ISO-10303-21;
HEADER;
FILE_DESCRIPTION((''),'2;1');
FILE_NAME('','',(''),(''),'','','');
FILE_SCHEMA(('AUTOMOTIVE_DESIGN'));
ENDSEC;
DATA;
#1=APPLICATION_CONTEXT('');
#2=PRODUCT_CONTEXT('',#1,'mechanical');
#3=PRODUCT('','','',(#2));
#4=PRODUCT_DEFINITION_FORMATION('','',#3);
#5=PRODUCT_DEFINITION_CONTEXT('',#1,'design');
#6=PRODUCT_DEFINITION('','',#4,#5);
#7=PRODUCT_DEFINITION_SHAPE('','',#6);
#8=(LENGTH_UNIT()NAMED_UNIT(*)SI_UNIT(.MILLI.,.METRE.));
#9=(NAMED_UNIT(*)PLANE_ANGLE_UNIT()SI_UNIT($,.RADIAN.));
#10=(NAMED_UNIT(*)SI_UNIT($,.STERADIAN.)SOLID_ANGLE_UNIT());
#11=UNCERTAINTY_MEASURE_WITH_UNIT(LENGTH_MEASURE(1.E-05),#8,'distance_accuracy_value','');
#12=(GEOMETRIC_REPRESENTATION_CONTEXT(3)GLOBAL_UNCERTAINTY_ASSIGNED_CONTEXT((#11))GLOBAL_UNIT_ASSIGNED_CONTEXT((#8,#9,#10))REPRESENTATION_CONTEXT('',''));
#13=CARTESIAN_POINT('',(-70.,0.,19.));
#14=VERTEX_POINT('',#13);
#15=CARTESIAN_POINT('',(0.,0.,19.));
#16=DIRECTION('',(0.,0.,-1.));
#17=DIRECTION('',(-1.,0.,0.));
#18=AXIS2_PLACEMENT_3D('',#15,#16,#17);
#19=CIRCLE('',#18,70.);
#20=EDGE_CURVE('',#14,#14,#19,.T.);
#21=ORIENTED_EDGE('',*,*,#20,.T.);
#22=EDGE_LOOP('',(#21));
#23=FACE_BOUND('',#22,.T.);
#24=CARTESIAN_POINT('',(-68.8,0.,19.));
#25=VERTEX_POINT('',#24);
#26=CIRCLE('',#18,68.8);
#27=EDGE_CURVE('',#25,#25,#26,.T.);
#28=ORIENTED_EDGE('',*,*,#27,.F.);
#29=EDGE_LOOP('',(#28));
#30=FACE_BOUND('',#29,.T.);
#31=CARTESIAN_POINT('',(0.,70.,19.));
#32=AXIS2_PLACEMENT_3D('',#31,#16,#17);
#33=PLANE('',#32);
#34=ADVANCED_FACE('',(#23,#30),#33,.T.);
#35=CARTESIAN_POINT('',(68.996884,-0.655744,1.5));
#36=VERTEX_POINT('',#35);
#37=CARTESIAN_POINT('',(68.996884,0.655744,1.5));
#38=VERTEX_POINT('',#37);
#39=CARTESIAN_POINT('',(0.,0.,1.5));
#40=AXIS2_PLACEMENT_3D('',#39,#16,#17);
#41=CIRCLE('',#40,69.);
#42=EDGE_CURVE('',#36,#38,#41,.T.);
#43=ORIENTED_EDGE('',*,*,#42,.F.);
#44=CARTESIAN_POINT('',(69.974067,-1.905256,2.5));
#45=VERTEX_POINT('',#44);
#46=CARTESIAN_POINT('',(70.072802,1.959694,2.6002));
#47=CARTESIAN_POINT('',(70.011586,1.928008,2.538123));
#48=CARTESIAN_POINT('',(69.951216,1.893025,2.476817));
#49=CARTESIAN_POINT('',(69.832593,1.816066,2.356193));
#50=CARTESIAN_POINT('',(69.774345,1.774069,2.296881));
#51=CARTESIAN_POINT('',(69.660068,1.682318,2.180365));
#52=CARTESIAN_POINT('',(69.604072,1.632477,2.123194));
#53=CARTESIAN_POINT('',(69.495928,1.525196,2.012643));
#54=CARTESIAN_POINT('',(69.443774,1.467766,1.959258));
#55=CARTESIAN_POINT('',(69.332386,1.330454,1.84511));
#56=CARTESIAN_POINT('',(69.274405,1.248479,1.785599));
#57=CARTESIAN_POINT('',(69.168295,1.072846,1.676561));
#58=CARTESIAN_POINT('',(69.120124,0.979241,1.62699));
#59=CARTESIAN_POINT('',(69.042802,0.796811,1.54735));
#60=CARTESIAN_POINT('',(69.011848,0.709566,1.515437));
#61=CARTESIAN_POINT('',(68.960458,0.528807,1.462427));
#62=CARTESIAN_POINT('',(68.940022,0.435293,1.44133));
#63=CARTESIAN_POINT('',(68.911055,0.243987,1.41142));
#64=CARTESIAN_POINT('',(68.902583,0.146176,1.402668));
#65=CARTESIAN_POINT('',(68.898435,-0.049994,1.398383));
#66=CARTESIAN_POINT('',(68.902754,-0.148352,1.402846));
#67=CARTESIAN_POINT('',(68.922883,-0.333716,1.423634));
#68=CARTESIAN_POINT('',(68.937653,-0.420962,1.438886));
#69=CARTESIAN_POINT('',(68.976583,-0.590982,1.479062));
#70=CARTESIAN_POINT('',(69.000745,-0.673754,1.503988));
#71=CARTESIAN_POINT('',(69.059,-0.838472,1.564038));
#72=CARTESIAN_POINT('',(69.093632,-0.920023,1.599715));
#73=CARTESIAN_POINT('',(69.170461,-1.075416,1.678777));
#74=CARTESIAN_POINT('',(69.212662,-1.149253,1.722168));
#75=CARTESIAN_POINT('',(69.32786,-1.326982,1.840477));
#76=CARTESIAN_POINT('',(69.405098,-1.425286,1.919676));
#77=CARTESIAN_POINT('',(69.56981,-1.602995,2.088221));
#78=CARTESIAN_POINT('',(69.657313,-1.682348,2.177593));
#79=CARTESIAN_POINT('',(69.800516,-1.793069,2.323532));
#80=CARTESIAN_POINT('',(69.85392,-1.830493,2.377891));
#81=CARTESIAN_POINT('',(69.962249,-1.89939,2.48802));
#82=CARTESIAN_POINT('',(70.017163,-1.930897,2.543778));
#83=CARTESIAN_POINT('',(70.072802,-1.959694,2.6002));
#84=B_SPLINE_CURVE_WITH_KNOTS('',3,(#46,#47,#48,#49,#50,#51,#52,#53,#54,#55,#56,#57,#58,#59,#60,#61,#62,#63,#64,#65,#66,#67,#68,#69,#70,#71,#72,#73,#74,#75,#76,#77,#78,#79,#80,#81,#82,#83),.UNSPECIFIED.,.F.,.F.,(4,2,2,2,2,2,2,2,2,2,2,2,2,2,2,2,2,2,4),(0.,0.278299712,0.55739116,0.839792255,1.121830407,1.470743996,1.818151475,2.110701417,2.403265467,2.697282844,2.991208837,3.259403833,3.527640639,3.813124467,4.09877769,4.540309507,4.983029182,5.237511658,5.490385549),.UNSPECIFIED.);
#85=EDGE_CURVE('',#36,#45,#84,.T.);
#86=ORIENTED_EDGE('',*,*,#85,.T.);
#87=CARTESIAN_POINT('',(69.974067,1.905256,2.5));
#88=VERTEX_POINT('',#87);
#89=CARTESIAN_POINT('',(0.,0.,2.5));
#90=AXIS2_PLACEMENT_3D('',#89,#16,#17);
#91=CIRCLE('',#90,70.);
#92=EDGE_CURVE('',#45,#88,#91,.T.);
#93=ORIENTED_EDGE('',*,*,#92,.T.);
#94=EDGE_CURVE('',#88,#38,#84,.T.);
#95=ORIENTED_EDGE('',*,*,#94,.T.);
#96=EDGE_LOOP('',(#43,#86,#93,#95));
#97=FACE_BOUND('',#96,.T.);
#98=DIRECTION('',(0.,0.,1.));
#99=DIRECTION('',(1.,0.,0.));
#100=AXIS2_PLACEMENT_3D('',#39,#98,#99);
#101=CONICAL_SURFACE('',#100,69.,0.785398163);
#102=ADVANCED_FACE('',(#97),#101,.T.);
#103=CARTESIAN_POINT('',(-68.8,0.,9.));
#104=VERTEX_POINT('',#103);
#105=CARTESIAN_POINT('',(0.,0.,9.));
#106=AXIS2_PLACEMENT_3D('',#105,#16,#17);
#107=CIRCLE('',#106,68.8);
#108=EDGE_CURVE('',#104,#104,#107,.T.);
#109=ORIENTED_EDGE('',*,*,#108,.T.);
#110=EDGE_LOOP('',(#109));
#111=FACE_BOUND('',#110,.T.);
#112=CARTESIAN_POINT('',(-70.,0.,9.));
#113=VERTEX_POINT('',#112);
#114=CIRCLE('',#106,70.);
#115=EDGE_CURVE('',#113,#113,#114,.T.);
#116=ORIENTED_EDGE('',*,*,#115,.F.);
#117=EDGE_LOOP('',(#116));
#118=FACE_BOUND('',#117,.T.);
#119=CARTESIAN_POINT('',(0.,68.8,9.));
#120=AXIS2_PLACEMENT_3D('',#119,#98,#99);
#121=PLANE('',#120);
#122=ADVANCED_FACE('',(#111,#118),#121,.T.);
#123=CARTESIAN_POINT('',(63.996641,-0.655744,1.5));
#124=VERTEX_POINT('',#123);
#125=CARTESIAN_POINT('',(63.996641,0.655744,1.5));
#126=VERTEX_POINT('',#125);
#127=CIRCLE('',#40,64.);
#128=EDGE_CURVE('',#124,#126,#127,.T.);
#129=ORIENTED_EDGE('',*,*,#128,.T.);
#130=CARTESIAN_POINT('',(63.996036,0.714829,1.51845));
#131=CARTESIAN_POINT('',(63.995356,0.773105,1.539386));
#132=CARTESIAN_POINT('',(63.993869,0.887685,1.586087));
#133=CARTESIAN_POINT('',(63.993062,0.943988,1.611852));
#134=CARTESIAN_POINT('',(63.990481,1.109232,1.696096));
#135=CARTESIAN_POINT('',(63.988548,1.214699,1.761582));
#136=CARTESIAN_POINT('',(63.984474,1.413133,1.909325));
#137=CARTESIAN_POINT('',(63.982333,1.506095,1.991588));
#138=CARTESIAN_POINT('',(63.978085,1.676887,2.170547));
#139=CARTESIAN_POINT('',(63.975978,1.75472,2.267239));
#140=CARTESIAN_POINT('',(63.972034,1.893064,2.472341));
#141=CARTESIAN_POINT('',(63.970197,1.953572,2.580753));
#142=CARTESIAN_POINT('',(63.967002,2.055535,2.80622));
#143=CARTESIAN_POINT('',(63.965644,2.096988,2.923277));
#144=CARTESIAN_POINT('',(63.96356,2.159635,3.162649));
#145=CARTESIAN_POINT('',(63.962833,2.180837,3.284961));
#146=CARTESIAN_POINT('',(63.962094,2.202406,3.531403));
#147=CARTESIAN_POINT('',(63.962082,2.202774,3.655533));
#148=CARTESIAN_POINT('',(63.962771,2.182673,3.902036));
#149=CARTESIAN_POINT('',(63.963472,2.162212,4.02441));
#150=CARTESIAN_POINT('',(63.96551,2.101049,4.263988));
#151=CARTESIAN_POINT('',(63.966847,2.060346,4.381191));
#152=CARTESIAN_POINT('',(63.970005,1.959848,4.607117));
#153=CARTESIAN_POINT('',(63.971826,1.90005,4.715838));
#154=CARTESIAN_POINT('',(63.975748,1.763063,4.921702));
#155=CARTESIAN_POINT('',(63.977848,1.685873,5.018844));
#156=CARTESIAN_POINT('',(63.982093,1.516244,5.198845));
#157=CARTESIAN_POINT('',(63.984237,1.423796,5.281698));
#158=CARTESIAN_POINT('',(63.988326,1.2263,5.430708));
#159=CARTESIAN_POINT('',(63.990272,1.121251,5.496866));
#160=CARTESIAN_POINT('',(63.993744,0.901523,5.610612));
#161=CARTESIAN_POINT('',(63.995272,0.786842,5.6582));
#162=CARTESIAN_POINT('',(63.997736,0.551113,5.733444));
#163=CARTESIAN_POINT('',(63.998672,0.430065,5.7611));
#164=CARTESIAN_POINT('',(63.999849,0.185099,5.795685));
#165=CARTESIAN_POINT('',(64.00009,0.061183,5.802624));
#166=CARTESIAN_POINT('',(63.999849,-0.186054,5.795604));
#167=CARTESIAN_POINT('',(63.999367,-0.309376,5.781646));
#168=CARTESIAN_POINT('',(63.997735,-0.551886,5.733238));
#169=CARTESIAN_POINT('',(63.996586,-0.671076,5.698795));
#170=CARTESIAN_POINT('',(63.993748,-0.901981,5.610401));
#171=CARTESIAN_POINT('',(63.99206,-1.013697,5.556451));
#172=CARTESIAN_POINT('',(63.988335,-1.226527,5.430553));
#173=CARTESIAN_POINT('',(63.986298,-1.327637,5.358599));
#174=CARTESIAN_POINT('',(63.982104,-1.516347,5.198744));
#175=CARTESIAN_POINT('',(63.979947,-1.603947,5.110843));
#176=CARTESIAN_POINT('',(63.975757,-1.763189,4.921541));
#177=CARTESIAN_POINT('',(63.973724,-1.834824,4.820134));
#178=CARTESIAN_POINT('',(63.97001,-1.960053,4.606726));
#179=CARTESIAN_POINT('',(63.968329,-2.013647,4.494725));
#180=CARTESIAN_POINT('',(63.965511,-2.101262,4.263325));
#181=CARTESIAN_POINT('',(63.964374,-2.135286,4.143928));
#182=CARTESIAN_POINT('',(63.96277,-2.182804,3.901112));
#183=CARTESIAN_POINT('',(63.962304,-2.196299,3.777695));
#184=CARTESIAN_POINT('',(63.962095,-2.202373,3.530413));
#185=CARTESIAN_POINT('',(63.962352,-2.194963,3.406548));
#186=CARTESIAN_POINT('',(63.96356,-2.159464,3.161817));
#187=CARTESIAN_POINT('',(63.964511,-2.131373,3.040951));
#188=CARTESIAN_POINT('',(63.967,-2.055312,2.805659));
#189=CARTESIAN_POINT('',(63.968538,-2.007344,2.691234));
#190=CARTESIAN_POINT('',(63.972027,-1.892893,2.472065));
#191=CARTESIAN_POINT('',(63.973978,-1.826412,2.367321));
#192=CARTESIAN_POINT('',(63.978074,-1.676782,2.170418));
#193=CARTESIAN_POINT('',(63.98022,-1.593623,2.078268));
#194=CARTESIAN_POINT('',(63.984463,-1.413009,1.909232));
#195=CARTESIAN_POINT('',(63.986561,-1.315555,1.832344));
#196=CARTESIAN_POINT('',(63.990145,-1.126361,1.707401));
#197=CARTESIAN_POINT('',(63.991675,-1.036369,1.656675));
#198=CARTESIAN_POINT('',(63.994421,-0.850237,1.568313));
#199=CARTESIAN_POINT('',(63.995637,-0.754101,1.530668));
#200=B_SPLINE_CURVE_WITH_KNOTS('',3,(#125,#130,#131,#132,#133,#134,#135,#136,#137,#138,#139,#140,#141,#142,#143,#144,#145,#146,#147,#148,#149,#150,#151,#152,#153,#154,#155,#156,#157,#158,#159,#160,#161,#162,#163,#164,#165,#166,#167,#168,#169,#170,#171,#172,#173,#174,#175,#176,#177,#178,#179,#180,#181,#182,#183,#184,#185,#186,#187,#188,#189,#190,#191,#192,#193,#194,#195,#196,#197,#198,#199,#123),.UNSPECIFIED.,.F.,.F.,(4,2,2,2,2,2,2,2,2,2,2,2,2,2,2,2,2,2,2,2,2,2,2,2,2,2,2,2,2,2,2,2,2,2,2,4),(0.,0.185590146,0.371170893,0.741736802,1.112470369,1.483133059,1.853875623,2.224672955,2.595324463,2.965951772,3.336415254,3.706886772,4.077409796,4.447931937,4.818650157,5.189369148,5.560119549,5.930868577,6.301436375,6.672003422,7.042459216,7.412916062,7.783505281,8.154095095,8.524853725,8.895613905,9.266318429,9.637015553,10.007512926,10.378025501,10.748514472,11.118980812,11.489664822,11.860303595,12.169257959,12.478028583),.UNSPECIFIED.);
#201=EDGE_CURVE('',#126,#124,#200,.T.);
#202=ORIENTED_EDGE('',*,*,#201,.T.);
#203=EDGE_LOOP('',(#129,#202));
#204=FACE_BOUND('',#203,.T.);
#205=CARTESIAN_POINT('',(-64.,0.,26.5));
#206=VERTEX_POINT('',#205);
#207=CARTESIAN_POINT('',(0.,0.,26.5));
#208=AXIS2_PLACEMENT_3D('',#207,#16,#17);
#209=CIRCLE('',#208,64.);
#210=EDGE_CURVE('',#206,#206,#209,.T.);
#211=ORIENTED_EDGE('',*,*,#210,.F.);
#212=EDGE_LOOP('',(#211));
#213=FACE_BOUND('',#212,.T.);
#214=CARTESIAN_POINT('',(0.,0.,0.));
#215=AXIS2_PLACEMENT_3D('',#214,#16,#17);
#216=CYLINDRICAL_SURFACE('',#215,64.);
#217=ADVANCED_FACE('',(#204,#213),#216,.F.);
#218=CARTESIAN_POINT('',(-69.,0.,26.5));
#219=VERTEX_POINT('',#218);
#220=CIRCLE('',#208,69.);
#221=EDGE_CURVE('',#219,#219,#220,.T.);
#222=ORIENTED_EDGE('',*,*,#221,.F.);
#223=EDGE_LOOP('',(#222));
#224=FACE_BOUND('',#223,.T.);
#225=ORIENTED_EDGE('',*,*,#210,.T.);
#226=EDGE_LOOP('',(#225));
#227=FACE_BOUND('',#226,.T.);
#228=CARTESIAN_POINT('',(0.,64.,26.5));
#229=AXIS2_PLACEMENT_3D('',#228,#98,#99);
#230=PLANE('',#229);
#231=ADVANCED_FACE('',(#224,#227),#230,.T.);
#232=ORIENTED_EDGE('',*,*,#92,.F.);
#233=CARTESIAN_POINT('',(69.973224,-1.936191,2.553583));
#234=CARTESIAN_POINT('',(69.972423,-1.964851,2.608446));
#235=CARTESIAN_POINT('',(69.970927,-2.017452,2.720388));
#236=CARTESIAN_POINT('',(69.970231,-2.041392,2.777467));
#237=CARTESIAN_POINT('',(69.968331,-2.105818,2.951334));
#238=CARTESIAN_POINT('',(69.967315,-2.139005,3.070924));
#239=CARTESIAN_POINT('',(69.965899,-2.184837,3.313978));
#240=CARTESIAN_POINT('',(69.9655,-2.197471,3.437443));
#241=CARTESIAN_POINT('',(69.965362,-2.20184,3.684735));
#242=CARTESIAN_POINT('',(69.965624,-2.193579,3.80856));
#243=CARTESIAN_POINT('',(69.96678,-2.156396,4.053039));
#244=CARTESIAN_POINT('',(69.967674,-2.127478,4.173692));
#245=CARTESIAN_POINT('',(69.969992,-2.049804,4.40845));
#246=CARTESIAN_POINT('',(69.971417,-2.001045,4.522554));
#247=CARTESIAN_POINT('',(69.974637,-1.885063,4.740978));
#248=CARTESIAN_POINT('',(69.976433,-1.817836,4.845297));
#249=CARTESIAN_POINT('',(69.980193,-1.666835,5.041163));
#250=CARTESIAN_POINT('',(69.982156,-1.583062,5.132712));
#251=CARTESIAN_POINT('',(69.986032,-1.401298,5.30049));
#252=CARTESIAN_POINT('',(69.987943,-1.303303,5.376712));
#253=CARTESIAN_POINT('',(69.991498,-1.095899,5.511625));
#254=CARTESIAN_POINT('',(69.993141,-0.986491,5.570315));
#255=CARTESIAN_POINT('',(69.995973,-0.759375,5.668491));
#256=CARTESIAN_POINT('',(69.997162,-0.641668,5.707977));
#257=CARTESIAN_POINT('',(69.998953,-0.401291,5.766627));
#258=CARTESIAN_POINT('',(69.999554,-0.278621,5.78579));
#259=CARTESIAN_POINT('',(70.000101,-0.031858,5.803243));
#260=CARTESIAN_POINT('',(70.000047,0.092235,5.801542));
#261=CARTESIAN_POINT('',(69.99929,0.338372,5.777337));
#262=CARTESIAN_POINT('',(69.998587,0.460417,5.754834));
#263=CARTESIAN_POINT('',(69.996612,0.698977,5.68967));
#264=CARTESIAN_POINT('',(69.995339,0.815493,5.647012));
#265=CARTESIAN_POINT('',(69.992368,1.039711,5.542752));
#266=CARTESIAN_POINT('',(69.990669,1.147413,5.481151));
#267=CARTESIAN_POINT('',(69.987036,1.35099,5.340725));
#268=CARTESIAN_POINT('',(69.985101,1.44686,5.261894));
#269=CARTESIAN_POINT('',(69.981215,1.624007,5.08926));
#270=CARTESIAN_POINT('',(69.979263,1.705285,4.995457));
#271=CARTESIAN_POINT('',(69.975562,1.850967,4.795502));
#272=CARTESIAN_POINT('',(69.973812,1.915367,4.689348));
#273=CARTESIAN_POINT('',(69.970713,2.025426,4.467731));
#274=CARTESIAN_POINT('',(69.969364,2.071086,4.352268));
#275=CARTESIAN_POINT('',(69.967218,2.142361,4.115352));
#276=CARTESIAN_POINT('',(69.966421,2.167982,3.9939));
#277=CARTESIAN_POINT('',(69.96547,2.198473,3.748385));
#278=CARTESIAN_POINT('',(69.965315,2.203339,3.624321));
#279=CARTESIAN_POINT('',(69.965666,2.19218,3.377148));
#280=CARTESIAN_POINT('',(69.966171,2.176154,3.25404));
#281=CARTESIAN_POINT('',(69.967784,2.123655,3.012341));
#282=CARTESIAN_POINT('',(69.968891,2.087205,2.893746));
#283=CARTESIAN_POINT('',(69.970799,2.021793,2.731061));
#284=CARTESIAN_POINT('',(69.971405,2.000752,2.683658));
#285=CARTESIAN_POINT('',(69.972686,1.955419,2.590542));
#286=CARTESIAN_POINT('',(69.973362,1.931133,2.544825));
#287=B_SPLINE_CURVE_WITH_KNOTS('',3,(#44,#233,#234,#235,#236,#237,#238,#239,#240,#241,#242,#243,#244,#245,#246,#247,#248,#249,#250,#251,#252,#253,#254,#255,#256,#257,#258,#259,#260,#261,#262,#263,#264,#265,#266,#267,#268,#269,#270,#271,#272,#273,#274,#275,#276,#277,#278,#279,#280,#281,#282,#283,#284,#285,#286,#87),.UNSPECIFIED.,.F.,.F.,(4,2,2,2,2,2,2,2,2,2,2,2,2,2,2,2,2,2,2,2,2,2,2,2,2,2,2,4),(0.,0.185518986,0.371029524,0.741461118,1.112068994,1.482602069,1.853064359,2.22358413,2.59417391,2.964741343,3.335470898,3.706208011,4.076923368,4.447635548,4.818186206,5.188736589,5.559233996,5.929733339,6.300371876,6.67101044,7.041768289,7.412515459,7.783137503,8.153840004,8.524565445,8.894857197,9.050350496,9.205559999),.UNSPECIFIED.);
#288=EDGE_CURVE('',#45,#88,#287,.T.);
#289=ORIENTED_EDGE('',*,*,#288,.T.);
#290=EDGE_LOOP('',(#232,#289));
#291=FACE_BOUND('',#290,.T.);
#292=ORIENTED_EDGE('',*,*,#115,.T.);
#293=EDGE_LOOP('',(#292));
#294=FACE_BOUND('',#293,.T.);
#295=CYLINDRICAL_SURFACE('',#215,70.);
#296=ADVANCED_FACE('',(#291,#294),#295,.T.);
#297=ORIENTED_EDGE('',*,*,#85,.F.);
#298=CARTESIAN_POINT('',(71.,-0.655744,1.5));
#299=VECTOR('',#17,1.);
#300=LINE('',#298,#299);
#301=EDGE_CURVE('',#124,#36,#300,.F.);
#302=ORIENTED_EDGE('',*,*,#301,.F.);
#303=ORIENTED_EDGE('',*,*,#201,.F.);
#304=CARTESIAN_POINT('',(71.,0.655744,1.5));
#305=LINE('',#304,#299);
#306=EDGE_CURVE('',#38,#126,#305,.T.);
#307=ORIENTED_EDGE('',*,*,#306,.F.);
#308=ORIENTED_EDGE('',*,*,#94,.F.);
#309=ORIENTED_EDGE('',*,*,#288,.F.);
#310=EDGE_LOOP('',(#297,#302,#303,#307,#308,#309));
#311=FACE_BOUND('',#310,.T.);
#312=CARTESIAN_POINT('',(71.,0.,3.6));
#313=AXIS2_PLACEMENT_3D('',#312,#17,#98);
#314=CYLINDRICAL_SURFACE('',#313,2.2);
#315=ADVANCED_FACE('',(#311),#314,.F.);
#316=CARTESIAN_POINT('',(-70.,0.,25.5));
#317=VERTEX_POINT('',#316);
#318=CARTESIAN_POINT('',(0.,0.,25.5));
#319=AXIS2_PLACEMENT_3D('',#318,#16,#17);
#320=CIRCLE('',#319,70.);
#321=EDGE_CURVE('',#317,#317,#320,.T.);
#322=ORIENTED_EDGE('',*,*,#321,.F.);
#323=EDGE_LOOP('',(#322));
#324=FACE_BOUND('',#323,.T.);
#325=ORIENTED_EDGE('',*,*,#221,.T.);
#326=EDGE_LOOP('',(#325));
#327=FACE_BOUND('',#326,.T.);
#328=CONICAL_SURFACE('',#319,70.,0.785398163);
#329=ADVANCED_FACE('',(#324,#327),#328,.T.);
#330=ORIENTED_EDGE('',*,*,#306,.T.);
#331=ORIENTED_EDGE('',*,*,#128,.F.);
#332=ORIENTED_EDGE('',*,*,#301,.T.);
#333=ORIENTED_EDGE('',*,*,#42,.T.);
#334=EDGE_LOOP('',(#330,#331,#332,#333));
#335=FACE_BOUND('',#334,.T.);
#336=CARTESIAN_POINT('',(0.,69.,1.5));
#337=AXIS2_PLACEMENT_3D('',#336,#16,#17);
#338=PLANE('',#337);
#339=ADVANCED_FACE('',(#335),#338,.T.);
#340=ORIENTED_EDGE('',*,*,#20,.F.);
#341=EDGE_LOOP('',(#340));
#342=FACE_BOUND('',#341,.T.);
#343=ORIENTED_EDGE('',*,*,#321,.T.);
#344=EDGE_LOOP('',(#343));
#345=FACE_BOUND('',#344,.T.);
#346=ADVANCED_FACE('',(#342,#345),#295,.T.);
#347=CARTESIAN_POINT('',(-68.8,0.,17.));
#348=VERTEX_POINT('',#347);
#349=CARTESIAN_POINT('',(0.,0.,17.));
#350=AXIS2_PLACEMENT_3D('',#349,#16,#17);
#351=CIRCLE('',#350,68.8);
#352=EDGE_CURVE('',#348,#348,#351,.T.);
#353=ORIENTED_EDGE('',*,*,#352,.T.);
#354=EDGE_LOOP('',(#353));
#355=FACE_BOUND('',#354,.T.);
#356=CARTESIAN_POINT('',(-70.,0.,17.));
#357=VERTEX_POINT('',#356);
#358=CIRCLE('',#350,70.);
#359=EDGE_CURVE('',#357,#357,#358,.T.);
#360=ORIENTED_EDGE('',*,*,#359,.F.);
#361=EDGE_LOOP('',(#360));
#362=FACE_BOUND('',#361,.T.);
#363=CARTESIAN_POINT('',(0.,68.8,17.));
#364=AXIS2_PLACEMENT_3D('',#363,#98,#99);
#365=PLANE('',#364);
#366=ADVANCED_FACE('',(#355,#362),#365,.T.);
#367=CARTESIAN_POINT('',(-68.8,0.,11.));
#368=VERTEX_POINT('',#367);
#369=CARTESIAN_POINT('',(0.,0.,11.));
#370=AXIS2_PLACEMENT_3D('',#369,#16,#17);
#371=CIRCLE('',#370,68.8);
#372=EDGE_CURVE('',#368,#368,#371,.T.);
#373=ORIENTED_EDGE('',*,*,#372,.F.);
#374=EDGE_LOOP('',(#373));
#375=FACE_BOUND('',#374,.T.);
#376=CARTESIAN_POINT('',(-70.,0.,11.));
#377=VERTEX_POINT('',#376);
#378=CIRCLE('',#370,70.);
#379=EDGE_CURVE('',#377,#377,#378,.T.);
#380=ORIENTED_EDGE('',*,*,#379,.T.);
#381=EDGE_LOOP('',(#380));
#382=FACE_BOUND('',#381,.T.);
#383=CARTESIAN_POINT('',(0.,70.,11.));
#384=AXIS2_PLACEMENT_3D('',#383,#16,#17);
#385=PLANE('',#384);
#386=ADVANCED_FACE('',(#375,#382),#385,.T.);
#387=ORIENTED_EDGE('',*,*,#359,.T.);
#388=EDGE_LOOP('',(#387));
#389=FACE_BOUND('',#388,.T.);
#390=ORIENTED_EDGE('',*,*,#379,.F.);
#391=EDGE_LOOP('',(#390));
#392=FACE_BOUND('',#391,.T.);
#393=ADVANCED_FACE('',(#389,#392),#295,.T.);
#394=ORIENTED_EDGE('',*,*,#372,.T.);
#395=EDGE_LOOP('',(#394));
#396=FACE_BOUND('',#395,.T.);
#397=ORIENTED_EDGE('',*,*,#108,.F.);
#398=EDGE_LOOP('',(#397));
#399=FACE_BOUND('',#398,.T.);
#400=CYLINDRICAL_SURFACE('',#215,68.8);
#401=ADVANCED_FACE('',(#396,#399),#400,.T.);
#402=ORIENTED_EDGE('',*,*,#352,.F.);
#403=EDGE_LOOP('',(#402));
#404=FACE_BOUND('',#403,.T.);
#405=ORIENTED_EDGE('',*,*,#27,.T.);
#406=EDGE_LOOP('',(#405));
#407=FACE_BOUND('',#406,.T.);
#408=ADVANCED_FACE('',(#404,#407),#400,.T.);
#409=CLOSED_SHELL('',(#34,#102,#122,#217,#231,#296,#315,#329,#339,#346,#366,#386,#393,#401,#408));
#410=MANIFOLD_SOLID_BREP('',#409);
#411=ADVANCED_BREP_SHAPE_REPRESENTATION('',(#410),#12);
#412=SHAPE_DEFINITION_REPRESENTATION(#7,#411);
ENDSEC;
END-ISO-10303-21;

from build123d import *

# Parameters (mm, degrees)
SKETCH2_R           = 2.2
GRUB_KEY_HOLE_DEPTH = 8


with BuildPart() as part:
    # Sketch1 → Tyre (revolve)
    with BuildSketch(Plane(origin=(0, 0, 0), x_dir=(0, 0, -1), z_dir=(1, 0, 0)), mode=Mode.PRIVATE) as tyre_sk:
        Polygon((-1.5, 64), (-26.5, 64), (-26.5, 69), (-25.5, 70), (-19, 70), (-19, 68.8), (-17, 68.8), (-17, 70), (-11, 70), (-11, 68.8), (-9, 68.8), (-9, 70), (-2.5, 70), (-1.5, 69), align=None)
    revolve(tyre_sk.sketch.rotate(Axis((0, 0, 0), (0, 0, 1)), 90), axis=Axis((0, 0, 0), (0, 0, 1)))

    # Sketch2 → Grub_key_hole (cut)
    with BuildSketch(Plane(origin=(63, 0, 0), x_dir=(0, 0, -1), z_dir=(1, 0, 0))):
        with Locations((-3.6, 0)):
            Circle(SKETCH2_R)
    extrude(amount=GRUB_KEY_HOLE_DEPTH, mode=Mode.SUBTRACT)


solid = part.part
